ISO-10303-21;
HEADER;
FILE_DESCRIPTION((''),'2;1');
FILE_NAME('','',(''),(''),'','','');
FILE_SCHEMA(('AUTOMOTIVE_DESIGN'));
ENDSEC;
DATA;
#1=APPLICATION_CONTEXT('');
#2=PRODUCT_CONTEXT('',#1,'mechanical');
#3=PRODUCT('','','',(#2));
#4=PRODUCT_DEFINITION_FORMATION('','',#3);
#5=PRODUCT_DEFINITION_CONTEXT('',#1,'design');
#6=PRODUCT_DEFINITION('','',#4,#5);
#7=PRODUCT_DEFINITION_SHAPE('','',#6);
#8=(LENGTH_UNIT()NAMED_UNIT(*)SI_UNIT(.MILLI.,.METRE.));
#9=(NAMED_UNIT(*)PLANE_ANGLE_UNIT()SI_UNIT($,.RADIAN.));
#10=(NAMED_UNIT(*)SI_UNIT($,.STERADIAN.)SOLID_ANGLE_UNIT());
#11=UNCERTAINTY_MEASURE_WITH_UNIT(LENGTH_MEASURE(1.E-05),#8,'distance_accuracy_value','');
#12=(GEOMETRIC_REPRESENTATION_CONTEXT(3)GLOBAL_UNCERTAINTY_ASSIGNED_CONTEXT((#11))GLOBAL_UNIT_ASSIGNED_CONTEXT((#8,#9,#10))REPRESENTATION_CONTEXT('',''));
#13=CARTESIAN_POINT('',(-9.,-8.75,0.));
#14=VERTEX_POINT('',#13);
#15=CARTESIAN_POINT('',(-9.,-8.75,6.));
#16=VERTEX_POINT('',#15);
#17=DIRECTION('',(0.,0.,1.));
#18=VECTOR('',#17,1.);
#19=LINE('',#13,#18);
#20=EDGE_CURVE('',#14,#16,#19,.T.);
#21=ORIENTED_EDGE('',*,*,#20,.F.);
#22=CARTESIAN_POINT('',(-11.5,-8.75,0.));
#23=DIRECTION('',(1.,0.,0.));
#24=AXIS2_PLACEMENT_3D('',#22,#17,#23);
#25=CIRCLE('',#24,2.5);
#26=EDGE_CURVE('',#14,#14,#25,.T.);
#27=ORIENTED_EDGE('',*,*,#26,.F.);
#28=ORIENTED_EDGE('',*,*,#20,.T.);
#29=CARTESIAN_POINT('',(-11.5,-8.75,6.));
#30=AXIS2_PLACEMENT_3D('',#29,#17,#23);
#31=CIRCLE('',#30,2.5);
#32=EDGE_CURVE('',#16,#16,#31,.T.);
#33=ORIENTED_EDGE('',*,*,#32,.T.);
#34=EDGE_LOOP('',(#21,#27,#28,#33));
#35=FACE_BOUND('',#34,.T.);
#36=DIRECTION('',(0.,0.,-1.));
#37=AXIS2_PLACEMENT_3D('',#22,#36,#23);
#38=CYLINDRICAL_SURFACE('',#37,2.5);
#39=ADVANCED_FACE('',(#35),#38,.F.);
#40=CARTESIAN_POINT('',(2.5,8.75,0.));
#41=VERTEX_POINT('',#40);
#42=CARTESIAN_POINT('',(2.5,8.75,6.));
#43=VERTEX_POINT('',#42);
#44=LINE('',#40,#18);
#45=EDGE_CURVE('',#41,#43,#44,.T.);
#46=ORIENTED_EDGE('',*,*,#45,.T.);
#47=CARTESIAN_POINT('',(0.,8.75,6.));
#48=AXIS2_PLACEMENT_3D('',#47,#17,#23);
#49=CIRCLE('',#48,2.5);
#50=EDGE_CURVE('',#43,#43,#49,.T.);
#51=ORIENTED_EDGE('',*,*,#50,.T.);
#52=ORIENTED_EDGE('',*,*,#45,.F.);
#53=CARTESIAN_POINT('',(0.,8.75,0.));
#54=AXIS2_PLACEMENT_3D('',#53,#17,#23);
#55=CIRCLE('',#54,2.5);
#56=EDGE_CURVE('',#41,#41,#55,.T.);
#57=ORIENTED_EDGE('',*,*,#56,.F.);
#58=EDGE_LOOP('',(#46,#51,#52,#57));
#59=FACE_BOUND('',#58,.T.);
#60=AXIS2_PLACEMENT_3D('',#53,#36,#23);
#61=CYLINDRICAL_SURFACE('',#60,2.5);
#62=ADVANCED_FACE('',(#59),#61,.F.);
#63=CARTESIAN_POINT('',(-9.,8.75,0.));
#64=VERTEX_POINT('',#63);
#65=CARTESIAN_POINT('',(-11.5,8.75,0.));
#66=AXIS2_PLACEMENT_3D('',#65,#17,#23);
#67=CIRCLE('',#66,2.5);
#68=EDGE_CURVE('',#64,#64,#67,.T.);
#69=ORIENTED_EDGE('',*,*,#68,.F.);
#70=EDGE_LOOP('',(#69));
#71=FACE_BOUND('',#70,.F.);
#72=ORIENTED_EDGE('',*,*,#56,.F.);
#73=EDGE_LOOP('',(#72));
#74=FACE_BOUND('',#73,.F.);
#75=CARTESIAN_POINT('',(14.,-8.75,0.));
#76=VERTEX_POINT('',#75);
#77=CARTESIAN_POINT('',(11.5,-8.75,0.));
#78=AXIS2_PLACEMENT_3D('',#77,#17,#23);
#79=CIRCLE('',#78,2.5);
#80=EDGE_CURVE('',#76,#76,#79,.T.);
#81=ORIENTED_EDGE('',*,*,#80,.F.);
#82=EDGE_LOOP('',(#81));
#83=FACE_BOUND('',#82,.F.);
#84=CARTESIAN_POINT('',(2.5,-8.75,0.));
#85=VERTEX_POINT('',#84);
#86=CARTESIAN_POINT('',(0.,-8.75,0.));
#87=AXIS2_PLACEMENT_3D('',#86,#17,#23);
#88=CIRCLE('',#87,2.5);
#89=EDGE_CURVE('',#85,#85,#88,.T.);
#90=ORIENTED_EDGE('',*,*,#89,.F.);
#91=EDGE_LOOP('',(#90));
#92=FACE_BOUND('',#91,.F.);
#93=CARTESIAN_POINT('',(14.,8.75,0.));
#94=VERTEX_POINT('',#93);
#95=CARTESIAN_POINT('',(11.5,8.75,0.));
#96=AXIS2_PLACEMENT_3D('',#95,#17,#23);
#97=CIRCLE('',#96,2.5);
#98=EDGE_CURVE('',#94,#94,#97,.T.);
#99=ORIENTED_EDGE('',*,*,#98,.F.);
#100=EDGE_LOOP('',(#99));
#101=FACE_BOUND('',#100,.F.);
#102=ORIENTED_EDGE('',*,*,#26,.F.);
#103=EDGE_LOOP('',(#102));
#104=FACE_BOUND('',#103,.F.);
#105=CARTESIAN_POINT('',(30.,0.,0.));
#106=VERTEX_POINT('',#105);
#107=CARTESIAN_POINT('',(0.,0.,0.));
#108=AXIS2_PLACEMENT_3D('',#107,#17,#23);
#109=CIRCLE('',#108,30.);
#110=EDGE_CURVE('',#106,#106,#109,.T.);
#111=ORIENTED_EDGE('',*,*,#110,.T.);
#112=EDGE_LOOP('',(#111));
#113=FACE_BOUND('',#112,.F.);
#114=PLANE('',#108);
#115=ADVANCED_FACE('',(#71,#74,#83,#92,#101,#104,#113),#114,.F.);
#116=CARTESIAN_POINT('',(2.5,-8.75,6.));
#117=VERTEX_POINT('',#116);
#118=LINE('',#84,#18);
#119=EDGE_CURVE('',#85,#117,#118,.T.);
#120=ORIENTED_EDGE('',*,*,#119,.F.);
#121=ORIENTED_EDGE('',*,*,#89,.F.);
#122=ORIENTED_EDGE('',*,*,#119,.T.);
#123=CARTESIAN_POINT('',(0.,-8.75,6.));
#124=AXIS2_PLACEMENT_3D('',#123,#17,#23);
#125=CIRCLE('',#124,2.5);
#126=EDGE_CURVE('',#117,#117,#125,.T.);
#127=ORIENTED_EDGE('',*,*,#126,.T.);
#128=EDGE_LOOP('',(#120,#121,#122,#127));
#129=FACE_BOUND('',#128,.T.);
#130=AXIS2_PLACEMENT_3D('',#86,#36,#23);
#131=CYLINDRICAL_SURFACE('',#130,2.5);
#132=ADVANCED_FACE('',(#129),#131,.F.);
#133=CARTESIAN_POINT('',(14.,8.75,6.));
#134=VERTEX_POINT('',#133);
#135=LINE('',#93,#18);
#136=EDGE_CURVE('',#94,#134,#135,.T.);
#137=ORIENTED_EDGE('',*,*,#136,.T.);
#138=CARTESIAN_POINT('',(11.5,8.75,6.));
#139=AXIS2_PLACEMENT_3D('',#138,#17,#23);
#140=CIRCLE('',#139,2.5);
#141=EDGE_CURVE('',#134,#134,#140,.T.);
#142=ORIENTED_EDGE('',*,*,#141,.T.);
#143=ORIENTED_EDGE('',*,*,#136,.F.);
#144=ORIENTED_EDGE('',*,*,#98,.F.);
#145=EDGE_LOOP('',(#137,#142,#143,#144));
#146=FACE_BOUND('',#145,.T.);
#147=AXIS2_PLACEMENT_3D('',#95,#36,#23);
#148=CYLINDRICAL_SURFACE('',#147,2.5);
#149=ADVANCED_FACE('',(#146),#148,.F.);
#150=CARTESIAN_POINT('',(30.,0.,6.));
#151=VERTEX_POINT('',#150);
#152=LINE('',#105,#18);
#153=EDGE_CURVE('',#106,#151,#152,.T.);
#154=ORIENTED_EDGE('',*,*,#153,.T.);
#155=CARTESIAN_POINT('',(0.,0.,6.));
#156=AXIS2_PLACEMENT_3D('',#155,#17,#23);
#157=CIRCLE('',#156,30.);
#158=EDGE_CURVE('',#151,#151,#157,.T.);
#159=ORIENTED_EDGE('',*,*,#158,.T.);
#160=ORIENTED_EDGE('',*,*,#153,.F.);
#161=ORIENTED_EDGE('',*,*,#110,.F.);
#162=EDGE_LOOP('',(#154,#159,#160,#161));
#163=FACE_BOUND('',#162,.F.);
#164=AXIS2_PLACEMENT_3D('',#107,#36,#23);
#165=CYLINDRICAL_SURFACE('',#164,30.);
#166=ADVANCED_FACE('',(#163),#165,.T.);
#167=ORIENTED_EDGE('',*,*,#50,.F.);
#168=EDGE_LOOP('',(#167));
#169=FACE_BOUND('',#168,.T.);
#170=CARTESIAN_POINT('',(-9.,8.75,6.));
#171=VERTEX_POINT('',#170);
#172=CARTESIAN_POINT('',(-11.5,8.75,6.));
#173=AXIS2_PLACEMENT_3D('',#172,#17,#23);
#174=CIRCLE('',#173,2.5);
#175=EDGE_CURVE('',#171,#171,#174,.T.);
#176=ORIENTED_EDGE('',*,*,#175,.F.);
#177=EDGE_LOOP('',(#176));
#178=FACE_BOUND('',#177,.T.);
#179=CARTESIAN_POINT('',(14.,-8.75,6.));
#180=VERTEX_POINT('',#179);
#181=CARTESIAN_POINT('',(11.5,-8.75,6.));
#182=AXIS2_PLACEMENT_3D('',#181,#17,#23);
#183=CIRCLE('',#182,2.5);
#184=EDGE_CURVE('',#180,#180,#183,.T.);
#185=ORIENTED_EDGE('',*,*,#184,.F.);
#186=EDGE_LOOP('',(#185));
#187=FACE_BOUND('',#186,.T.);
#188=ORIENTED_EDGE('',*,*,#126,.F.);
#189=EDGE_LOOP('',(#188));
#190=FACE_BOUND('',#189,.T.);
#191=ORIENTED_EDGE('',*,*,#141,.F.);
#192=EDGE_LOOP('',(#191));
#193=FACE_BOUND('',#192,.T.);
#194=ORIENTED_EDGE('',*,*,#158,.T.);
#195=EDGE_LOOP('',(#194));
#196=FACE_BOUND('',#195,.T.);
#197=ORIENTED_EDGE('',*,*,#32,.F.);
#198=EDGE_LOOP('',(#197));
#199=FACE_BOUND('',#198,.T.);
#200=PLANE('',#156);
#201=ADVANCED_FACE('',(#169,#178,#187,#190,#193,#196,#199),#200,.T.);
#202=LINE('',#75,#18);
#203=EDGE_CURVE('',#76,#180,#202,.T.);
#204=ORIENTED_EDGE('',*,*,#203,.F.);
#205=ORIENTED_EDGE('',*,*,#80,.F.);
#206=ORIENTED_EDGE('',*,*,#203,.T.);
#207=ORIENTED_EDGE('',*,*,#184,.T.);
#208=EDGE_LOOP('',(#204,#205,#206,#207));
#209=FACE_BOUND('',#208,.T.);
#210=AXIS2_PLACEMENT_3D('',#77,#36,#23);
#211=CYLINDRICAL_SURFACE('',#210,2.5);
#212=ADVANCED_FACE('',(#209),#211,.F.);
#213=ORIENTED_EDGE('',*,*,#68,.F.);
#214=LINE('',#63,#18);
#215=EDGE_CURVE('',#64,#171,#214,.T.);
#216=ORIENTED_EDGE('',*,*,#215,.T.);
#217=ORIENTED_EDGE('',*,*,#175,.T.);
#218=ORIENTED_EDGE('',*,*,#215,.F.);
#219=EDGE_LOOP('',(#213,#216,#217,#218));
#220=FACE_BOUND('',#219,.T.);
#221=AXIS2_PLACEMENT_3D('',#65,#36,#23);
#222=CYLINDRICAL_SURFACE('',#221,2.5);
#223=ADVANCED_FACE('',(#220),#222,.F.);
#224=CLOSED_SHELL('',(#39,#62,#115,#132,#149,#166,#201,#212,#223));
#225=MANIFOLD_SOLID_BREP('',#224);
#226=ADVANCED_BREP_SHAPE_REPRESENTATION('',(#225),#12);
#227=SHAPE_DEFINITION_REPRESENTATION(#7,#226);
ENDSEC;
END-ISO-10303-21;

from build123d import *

# Parameters (mm, degrees)
F0_R     = 30
F0_R_2   = 2.5
F1_DEPTH = 6


with BuildPart() as f1:
    # F0 (on Top) → F1 (new body)
    with BuildSketch(Plane.XY):
        Circle(F0_R)
        with Locations((-11.5, -8.75)):
            Circle(F0_R_2, mode=Mode.SUBTRACT)
        with Locations((0, -8.75)):
            Circle(F0_R_2, mode=Mode.SUBTRACT)
        with Locations((11.5, -8.75)):
            Circle(F0_R_2, mode=Mode.SUBTRACT)
        with Locations((-11.5, 8.75)):
            Circle(F0_R_2, mode=Mode.SUBTRACT)
        with Locations((0, 8.75)):
            Circle(F0_R_2, mode=Mode.SUBTRACT)
        with Locations((11.5, 8.75)):
            Circle(F0_R_2, mode=Mode.SUBTRACT)
    extrude(amount=F1_DEPTH)


solid = f1.part
